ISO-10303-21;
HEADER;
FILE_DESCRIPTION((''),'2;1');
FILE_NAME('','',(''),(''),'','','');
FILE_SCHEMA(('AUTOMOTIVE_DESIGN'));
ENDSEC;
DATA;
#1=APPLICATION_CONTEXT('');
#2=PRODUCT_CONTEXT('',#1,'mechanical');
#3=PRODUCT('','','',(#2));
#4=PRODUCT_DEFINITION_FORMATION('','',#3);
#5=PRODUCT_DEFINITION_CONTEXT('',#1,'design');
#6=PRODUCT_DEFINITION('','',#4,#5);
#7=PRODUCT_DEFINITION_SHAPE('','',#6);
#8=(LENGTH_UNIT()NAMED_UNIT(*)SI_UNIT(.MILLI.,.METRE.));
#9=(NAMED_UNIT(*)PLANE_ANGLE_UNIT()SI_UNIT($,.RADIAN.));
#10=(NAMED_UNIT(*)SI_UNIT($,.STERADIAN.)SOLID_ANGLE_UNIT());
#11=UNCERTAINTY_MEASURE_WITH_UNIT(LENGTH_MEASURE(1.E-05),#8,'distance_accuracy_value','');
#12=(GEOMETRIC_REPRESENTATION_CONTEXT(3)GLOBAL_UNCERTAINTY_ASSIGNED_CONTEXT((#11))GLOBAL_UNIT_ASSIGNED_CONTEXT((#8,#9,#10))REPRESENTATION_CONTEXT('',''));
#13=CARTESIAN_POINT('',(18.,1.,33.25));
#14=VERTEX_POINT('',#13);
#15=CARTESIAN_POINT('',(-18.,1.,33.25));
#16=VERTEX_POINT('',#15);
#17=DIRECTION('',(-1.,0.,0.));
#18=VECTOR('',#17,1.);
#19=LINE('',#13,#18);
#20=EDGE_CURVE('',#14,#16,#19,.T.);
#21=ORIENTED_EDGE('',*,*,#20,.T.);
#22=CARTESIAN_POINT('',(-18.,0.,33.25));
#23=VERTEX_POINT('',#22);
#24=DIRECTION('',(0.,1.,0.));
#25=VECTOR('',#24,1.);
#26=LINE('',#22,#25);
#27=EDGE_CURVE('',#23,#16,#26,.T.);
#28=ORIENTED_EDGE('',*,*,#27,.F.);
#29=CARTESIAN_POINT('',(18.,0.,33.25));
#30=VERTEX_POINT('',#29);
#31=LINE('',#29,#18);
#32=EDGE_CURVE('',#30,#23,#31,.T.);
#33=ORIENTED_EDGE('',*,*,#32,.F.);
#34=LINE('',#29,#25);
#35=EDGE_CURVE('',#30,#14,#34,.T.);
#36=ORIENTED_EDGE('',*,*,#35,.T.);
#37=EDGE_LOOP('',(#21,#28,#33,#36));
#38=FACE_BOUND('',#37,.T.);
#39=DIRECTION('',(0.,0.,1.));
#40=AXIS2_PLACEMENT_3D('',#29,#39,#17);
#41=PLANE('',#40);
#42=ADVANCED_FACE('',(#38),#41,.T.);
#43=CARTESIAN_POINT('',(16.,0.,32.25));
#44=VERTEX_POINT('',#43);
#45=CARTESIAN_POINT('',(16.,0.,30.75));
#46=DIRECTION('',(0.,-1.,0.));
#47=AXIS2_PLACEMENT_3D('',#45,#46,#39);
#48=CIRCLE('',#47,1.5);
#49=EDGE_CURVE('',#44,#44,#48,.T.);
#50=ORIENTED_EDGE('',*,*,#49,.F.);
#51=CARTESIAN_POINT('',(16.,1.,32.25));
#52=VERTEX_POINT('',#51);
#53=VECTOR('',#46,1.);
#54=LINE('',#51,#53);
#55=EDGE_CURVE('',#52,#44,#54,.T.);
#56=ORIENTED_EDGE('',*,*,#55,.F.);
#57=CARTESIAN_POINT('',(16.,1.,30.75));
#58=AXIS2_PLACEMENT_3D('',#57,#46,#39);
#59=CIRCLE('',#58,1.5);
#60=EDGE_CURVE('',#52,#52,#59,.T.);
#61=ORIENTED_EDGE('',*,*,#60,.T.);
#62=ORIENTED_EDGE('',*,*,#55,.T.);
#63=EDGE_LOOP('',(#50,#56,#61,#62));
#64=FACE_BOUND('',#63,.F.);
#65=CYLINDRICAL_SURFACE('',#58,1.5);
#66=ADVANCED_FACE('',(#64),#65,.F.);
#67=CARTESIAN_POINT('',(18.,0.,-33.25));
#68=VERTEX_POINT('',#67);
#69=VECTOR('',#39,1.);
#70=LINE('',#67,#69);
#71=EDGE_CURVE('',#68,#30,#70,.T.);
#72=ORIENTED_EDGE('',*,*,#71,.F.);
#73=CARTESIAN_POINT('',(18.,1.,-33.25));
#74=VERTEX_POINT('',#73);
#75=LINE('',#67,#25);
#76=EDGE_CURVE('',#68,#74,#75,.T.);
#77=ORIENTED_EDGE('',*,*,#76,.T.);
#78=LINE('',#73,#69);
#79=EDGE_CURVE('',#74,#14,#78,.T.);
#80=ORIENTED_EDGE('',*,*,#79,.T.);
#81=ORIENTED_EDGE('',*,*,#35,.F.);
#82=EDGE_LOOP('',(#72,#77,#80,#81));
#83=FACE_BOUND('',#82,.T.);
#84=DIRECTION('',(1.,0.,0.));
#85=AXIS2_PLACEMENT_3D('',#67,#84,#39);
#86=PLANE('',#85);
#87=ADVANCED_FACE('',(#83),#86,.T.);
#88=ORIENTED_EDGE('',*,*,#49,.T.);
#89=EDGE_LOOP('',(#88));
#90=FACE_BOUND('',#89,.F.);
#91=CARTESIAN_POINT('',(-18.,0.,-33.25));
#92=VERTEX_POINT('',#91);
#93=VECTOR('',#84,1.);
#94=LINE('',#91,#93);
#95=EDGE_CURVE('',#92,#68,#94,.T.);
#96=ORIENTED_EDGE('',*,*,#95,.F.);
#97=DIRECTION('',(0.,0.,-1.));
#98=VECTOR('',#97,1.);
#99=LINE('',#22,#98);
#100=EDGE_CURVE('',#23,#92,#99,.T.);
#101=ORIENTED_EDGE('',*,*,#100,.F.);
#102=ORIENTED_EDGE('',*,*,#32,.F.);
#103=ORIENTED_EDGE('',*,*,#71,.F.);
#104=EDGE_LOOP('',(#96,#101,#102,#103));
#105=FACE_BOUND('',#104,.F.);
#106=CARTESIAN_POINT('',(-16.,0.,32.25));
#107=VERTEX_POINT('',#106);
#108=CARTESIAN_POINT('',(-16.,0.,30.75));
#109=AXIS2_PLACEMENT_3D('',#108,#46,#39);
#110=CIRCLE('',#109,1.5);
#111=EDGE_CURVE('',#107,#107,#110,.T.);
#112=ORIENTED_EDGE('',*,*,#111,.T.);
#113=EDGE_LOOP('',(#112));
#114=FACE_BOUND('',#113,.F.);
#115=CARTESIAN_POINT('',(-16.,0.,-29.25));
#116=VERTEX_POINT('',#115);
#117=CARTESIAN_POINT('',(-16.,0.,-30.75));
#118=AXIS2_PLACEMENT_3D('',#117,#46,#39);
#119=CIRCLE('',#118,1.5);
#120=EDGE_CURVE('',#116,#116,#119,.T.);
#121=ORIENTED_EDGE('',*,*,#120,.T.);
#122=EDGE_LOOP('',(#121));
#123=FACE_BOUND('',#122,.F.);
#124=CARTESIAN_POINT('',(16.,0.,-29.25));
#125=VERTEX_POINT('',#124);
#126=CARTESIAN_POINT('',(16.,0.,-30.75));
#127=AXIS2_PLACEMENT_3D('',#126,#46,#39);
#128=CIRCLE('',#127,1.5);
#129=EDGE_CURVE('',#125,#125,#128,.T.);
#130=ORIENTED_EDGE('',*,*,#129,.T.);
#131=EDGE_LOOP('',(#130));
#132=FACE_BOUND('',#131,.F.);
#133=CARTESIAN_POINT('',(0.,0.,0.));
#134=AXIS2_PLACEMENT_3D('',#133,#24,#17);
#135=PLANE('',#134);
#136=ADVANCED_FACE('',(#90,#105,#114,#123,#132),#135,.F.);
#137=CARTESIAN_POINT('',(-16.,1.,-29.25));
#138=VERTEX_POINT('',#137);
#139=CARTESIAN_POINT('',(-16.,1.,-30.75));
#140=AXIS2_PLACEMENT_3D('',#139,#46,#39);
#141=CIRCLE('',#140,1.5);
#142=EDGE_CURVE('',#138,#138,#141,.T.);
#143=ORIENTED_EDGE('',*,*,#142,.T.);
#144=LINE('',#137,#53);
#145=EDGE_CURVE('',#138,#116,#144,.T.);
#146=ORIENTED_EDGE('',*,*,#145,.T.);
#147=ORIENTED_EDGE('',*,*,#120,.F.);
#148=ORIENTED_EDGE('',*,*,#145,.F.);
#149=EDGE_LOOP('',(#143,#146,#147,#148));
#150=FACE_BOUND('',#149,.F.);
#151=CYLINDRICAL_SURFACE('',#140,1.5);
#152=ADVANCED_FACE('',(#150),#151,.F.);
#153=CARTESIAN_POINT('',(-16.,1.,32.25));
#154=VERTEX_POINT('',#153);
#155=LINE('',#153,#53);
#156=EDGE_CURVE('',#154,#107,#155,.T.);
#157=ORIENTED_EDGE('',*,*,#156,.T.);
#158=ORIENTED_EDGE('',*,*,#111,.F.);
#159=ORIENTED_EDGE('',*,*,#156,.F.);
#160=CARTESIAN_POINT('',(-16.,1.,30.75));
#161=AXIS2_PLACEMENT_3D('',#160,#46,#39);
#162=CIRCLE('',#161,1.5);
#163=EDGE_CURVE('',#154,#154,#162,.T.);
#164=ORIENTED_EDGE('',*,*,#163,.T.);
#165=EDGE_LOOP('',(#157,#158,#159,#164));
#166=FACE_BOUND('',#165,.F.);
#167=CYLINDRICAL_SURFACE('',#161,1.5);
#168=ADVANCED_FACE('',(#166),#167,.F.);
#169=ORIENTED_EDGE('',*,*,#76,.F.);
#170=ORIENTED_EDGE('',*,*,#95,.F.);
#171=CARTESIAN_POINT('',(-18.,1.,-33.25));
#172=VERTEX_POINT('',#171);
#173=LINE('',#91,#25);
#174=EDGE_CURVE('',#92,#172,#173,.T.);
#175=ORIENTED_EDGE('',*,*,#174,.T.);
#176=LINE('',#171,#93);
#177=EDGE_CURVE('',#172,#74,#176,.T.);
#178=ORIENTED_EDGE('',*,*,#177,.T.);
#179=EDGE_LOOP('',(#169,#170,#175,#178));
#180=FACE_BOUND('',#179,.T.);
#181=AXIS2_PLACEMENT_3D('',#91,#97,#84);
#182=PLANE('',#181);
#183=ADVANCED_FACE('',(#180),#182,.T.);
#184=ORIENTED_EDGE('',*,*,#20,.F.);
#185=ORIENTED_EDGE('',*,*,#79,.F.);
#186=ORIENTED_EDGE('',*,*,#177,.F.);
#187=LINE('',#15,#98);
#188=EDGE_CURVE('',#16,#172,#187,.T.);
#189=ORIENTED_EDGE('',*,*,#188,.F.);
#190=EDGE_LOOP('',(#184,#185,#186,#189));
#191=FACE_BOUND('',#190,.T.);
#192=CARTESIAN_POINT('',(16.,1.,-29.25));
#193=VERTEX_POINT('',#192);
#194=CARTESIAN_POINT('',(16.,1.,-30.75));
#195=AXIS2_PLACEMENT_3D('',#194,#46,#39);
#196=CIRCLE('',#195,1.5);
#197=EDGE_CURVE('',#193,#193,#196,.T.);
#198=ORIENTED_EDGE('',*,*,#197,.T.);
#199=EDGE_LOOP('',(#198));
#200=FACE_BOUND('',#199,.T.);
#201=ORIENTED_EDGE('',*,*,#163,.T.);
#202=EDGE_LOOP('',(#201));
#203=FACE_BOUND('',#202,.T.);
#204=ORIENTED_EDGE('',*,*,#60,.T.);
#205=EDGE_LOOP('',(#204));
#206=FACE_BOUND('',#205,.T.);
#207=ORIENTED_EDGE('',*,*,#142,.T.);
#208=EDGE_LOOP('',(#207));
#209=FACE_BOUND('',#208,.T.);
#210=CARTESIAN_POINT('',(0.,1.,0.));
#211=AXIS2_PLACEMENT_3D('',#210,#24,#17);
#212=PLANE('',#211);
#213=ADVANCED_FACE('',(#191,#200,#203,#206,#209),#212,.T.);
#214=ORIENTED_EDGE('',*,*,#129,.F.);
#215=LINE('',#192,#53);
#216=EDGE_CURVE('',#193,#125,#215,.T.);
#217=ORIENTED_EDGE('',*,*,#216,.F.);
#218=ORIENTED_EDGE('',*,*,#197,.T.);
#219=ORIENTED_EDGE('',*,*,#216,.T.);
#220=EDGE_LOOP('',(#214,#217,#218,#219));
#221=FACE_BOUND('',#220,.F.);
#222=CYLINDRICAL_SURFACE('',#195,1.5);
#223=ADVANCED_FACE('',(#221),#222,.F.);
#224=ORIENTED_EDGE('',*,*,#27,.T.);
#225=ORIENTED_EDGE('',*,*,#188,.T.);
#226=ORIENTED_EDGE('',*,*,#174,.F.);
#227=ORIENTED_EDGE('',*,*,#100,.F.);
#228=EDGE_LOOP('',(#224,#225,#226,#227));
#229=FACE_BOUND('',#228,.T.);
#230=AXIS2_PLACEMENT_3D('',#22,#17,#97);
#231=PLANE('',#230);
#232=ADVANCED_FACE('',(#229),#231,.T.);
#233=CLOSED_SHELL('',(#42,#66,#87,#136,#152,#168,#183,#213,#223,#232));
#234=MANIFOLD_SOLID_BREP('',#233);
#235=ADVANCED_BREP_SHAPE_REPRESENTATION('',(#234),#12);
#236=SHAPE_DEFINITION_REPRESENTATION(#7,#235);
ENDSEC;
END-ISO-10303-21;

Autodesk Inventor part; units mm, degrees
ref_plane "YZ Plane" through (0, 0, 0) normal (1, 0, 0) x (0, 1, 0)
ref_plane "XZ Plane" through (0, 0, 0) normal (0, 1, 0) x (-1, 0, 0)
ref_plane "XY Plane" through (0, 0, 0) normal (0, 0, 1) x (1, 0, 0)
sketch "Sketch1" plane through (0, 0, 0) normal (0, 1, 0) x (-1, 0, 0)
  line L0 (18, -33.25) -> (-18, -33.25)
  line L1 (-18, -33.25) -> (-18, 33.25)
  line L2 (-18, 33.25) -> (18, 33.25)
  line L3 (18, 33.25) -> (18, -33.25)
  line L4 (18, -33.25) -> (-18, 33.25) construction
  line L5 (-18, -33.25) -> (18, 33.25) construction
  point P0 (0, 0)
  dimension "d0" = 36
  dimension "d1" = 66.5
extrude "Extrusion1" add sketch "Sketch1" along normal blind 1
sketch "Sketch2" plane through (0, 1, 0) normal (0, 1, 0) x (1, 0, 0)
  line L0 (-18, -33.25) -> (-18, 33.25) projected
  line L1 (-18, 33.25) -> (18, 33.25) projected
  line L2 (18, 33.25) -> (18, -33.25) projected
  line L3 (18, -33.25) -> (-18, -33.25) projected
  line L4 (16, -30.75) -> (-16, -30.75) construction
  line L5 (-16, -30.75) -> (-16, 30.75) construction
  line L6 (-16, 30.75) -> (16, 30.75) construction
  line L7 (16, 30.75) -> (16, -30.75) construction
  line L8 (16, -30.75) -> (-16, 30.75) construction
  line L9 (-16, -30.75) -> (16, 30.75) construction
  circle A0 centre (-16, -30.75) radius 1.5 construction
  circle A1 centre (-16, 30.75) radius 1.5 construction
  circle A2 centre (16, -30.75) radius 1.5 construction
  circle A3 centre (16, 30.75) radius 1.5 construction
  point P0 (0, 0)
  point P1 (0, 0)
  dimension "d11" = 3
  dimension "d12" = 3
  dimension "d13" = 3
  dimension "d14" = 3
  dimension "d17" = 0.5
  dimension "d18" = 1
hole "Hole1" at (-16, 1, 30.75) at (16, 1, 30.75) at (16, 1, -30.75) at (-16, 1, -30.75) direction (0, -1, 0) diameter 3 depth 6
equation "\"d12\" = d11"
equation "\"d13\" = d11"
equation "\"d14\" = d11"
properties part number "LM2596 Buck Converter"
